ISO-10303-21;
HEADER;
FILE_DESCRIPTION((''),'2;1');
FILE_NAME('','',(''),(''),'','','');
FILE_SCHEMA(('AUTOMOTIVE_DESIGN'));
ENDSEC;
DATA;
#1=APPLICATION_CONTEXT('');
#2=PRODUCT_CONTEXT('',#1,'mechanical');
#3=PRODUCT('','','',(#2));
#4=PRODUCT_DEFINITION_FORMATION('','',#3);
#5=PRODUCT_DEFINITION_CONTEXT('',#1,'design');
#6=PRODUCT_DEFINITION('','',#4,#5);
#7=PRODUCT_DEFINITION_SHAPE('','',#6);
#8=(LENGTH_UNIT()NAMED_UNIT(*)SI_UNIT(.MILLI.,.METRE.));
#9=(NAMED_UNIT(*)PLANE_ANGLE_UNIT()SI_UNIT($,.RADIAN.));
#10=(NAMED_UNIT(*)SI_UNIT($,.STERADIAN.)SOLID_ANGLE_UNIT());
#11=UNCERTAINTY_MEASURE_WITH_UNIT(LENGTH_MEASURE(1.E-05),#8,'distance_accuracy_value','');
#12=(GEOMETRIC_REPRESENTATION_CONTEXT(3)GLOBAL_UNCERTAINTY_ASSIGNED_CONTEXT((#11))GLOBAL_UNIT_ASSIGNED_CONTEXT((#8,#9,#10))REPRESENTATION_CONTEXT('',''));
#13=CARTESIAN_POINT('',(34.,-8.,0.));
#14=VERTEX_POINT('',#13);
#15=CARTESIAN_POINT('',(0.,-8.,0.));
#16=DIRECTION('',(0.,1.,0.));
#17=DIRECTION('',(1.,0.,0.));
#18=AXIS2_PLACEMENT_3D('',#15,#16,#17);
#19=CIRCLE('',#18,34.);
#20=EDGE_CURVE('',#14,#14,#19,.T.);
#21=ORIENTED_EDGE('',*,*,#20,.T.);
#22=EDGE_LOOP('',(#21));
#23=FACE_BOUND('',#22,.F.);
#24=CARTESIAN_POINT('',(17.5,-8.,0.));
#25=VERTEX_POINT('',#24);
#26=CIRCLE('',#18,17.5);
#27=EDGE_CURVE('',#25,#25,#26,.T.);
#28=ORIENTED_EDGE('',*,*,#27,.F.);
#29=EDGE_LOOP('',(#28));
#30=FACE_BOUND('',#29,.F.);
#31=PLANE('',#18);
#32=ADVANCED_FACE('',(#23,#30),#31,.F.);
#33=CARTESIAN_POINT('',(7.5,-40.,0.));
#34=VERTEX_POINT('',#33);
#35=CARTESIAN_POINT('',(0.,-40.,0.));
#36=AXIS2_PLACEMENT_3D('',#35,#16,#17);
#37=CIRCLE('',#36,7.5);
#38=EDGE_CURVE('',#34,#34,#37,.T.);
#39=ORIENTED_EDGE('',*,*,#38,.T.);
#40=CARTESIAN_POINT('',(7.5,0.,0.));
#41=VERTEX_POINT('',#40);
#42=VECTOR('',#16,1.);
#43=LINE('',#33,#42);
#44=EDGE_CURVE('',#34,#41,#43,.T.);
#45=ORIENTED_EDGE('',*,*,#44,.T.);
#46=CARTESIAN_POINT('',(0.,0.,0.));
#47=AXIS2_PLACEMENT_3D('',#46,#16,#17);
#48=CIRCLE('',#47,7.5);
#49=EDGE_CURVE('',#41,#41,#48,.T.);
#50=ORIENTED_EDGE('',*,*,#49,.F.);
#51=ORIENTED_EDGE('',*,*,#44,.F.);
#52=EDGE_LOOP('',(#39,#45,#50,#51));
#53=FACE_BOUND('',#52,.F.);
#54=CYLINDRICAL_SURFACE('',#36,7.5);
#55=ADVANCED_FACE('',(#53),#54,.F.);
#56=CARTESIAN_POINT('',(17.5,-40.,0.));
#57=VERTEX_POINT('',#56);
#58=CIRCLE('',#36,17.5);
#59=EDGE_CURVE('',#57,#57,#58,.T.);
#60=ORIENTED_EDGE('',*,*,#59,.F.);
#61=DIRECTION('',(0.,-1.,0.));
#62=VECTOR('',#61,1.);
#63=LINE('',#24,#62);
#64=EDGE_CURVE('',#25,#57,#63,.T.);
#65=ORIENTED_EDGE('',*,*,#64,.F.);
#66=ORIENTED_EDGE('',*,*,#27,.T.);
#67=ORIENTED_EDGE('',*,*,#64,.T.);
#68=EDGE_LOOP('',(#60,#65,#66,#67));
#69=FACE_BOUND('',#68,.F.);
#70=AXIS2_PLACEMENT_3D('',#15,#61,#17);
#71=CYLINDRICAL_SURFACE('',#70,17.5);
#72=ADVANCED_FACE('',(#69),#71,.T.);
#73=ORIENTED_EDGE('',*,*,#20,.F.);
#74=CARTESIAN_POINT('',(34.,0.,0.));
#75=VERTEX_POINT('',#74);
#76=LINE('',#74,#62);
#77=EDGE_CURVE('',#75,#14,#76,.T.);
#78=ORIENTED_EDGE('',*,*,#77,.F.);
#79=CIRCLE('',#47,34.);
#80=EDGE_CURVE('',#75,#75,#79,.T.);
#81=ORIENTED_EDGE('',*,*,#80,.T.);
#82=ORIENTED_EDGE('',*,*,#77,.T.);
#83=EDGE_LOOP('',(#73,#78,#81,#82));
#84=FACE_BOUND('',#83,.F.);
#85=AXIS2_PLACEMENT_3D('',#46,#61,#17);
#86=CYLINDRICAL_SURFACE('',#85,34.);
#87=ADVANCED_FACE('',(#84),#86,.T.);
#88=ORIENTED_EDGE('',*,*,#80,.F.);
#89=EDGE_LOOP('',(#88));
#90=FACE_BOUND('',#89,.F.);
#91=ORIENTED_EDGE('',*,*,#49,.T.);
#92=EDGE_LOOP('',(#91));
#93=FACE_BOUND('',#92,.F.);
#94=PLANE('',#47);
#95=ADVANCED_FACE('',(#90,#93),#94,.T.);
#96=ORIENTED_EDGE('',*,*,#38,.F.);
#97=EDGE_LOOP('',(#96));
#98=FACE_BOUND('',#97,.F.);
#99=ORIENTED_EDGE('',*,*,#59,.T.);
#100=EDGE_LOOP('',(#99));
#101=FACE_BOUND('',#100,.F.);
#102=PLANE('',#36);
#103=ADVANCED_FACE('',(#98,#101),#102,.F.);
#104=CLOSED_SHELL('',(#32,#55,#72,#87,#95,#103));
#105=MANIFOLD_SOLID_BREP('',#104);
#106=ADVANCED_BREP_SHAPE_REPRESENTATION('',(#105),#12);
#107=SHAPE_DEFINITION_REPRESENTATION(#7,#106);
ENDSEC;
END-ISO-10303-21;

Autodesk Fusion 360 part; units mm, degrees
sketch "Sketch1" plane through (0, 0, 0) normal (0, 0, 1) x (1, 0, 0)
  line L0 (0, 0) -> (34, 0)
  line L1 (34, 0) -> (34, -8)
  line L2 (34, -8) -> (17.5, -8)
  line L3 (17.5, -8) -> (17.5, -40)
  line L4 (17.5, -40) -> (0, -40)
  line L5 (0, -40) -> (0, 0)
  line L6 (7.5, -40) -> (7.5, 0)
  dimension "d1" = 34
  dimension "d2" = 7.5
  dimension "d3" = 10
  dimension "d4" = 8
  dimension "d5" = 40
revolve "Revolve1" add sketch "Sketch1" angle 360 about axis through (0, -40, 0) along (0, 1, 0) contours L0 L1 L2 L3 L4 L6
